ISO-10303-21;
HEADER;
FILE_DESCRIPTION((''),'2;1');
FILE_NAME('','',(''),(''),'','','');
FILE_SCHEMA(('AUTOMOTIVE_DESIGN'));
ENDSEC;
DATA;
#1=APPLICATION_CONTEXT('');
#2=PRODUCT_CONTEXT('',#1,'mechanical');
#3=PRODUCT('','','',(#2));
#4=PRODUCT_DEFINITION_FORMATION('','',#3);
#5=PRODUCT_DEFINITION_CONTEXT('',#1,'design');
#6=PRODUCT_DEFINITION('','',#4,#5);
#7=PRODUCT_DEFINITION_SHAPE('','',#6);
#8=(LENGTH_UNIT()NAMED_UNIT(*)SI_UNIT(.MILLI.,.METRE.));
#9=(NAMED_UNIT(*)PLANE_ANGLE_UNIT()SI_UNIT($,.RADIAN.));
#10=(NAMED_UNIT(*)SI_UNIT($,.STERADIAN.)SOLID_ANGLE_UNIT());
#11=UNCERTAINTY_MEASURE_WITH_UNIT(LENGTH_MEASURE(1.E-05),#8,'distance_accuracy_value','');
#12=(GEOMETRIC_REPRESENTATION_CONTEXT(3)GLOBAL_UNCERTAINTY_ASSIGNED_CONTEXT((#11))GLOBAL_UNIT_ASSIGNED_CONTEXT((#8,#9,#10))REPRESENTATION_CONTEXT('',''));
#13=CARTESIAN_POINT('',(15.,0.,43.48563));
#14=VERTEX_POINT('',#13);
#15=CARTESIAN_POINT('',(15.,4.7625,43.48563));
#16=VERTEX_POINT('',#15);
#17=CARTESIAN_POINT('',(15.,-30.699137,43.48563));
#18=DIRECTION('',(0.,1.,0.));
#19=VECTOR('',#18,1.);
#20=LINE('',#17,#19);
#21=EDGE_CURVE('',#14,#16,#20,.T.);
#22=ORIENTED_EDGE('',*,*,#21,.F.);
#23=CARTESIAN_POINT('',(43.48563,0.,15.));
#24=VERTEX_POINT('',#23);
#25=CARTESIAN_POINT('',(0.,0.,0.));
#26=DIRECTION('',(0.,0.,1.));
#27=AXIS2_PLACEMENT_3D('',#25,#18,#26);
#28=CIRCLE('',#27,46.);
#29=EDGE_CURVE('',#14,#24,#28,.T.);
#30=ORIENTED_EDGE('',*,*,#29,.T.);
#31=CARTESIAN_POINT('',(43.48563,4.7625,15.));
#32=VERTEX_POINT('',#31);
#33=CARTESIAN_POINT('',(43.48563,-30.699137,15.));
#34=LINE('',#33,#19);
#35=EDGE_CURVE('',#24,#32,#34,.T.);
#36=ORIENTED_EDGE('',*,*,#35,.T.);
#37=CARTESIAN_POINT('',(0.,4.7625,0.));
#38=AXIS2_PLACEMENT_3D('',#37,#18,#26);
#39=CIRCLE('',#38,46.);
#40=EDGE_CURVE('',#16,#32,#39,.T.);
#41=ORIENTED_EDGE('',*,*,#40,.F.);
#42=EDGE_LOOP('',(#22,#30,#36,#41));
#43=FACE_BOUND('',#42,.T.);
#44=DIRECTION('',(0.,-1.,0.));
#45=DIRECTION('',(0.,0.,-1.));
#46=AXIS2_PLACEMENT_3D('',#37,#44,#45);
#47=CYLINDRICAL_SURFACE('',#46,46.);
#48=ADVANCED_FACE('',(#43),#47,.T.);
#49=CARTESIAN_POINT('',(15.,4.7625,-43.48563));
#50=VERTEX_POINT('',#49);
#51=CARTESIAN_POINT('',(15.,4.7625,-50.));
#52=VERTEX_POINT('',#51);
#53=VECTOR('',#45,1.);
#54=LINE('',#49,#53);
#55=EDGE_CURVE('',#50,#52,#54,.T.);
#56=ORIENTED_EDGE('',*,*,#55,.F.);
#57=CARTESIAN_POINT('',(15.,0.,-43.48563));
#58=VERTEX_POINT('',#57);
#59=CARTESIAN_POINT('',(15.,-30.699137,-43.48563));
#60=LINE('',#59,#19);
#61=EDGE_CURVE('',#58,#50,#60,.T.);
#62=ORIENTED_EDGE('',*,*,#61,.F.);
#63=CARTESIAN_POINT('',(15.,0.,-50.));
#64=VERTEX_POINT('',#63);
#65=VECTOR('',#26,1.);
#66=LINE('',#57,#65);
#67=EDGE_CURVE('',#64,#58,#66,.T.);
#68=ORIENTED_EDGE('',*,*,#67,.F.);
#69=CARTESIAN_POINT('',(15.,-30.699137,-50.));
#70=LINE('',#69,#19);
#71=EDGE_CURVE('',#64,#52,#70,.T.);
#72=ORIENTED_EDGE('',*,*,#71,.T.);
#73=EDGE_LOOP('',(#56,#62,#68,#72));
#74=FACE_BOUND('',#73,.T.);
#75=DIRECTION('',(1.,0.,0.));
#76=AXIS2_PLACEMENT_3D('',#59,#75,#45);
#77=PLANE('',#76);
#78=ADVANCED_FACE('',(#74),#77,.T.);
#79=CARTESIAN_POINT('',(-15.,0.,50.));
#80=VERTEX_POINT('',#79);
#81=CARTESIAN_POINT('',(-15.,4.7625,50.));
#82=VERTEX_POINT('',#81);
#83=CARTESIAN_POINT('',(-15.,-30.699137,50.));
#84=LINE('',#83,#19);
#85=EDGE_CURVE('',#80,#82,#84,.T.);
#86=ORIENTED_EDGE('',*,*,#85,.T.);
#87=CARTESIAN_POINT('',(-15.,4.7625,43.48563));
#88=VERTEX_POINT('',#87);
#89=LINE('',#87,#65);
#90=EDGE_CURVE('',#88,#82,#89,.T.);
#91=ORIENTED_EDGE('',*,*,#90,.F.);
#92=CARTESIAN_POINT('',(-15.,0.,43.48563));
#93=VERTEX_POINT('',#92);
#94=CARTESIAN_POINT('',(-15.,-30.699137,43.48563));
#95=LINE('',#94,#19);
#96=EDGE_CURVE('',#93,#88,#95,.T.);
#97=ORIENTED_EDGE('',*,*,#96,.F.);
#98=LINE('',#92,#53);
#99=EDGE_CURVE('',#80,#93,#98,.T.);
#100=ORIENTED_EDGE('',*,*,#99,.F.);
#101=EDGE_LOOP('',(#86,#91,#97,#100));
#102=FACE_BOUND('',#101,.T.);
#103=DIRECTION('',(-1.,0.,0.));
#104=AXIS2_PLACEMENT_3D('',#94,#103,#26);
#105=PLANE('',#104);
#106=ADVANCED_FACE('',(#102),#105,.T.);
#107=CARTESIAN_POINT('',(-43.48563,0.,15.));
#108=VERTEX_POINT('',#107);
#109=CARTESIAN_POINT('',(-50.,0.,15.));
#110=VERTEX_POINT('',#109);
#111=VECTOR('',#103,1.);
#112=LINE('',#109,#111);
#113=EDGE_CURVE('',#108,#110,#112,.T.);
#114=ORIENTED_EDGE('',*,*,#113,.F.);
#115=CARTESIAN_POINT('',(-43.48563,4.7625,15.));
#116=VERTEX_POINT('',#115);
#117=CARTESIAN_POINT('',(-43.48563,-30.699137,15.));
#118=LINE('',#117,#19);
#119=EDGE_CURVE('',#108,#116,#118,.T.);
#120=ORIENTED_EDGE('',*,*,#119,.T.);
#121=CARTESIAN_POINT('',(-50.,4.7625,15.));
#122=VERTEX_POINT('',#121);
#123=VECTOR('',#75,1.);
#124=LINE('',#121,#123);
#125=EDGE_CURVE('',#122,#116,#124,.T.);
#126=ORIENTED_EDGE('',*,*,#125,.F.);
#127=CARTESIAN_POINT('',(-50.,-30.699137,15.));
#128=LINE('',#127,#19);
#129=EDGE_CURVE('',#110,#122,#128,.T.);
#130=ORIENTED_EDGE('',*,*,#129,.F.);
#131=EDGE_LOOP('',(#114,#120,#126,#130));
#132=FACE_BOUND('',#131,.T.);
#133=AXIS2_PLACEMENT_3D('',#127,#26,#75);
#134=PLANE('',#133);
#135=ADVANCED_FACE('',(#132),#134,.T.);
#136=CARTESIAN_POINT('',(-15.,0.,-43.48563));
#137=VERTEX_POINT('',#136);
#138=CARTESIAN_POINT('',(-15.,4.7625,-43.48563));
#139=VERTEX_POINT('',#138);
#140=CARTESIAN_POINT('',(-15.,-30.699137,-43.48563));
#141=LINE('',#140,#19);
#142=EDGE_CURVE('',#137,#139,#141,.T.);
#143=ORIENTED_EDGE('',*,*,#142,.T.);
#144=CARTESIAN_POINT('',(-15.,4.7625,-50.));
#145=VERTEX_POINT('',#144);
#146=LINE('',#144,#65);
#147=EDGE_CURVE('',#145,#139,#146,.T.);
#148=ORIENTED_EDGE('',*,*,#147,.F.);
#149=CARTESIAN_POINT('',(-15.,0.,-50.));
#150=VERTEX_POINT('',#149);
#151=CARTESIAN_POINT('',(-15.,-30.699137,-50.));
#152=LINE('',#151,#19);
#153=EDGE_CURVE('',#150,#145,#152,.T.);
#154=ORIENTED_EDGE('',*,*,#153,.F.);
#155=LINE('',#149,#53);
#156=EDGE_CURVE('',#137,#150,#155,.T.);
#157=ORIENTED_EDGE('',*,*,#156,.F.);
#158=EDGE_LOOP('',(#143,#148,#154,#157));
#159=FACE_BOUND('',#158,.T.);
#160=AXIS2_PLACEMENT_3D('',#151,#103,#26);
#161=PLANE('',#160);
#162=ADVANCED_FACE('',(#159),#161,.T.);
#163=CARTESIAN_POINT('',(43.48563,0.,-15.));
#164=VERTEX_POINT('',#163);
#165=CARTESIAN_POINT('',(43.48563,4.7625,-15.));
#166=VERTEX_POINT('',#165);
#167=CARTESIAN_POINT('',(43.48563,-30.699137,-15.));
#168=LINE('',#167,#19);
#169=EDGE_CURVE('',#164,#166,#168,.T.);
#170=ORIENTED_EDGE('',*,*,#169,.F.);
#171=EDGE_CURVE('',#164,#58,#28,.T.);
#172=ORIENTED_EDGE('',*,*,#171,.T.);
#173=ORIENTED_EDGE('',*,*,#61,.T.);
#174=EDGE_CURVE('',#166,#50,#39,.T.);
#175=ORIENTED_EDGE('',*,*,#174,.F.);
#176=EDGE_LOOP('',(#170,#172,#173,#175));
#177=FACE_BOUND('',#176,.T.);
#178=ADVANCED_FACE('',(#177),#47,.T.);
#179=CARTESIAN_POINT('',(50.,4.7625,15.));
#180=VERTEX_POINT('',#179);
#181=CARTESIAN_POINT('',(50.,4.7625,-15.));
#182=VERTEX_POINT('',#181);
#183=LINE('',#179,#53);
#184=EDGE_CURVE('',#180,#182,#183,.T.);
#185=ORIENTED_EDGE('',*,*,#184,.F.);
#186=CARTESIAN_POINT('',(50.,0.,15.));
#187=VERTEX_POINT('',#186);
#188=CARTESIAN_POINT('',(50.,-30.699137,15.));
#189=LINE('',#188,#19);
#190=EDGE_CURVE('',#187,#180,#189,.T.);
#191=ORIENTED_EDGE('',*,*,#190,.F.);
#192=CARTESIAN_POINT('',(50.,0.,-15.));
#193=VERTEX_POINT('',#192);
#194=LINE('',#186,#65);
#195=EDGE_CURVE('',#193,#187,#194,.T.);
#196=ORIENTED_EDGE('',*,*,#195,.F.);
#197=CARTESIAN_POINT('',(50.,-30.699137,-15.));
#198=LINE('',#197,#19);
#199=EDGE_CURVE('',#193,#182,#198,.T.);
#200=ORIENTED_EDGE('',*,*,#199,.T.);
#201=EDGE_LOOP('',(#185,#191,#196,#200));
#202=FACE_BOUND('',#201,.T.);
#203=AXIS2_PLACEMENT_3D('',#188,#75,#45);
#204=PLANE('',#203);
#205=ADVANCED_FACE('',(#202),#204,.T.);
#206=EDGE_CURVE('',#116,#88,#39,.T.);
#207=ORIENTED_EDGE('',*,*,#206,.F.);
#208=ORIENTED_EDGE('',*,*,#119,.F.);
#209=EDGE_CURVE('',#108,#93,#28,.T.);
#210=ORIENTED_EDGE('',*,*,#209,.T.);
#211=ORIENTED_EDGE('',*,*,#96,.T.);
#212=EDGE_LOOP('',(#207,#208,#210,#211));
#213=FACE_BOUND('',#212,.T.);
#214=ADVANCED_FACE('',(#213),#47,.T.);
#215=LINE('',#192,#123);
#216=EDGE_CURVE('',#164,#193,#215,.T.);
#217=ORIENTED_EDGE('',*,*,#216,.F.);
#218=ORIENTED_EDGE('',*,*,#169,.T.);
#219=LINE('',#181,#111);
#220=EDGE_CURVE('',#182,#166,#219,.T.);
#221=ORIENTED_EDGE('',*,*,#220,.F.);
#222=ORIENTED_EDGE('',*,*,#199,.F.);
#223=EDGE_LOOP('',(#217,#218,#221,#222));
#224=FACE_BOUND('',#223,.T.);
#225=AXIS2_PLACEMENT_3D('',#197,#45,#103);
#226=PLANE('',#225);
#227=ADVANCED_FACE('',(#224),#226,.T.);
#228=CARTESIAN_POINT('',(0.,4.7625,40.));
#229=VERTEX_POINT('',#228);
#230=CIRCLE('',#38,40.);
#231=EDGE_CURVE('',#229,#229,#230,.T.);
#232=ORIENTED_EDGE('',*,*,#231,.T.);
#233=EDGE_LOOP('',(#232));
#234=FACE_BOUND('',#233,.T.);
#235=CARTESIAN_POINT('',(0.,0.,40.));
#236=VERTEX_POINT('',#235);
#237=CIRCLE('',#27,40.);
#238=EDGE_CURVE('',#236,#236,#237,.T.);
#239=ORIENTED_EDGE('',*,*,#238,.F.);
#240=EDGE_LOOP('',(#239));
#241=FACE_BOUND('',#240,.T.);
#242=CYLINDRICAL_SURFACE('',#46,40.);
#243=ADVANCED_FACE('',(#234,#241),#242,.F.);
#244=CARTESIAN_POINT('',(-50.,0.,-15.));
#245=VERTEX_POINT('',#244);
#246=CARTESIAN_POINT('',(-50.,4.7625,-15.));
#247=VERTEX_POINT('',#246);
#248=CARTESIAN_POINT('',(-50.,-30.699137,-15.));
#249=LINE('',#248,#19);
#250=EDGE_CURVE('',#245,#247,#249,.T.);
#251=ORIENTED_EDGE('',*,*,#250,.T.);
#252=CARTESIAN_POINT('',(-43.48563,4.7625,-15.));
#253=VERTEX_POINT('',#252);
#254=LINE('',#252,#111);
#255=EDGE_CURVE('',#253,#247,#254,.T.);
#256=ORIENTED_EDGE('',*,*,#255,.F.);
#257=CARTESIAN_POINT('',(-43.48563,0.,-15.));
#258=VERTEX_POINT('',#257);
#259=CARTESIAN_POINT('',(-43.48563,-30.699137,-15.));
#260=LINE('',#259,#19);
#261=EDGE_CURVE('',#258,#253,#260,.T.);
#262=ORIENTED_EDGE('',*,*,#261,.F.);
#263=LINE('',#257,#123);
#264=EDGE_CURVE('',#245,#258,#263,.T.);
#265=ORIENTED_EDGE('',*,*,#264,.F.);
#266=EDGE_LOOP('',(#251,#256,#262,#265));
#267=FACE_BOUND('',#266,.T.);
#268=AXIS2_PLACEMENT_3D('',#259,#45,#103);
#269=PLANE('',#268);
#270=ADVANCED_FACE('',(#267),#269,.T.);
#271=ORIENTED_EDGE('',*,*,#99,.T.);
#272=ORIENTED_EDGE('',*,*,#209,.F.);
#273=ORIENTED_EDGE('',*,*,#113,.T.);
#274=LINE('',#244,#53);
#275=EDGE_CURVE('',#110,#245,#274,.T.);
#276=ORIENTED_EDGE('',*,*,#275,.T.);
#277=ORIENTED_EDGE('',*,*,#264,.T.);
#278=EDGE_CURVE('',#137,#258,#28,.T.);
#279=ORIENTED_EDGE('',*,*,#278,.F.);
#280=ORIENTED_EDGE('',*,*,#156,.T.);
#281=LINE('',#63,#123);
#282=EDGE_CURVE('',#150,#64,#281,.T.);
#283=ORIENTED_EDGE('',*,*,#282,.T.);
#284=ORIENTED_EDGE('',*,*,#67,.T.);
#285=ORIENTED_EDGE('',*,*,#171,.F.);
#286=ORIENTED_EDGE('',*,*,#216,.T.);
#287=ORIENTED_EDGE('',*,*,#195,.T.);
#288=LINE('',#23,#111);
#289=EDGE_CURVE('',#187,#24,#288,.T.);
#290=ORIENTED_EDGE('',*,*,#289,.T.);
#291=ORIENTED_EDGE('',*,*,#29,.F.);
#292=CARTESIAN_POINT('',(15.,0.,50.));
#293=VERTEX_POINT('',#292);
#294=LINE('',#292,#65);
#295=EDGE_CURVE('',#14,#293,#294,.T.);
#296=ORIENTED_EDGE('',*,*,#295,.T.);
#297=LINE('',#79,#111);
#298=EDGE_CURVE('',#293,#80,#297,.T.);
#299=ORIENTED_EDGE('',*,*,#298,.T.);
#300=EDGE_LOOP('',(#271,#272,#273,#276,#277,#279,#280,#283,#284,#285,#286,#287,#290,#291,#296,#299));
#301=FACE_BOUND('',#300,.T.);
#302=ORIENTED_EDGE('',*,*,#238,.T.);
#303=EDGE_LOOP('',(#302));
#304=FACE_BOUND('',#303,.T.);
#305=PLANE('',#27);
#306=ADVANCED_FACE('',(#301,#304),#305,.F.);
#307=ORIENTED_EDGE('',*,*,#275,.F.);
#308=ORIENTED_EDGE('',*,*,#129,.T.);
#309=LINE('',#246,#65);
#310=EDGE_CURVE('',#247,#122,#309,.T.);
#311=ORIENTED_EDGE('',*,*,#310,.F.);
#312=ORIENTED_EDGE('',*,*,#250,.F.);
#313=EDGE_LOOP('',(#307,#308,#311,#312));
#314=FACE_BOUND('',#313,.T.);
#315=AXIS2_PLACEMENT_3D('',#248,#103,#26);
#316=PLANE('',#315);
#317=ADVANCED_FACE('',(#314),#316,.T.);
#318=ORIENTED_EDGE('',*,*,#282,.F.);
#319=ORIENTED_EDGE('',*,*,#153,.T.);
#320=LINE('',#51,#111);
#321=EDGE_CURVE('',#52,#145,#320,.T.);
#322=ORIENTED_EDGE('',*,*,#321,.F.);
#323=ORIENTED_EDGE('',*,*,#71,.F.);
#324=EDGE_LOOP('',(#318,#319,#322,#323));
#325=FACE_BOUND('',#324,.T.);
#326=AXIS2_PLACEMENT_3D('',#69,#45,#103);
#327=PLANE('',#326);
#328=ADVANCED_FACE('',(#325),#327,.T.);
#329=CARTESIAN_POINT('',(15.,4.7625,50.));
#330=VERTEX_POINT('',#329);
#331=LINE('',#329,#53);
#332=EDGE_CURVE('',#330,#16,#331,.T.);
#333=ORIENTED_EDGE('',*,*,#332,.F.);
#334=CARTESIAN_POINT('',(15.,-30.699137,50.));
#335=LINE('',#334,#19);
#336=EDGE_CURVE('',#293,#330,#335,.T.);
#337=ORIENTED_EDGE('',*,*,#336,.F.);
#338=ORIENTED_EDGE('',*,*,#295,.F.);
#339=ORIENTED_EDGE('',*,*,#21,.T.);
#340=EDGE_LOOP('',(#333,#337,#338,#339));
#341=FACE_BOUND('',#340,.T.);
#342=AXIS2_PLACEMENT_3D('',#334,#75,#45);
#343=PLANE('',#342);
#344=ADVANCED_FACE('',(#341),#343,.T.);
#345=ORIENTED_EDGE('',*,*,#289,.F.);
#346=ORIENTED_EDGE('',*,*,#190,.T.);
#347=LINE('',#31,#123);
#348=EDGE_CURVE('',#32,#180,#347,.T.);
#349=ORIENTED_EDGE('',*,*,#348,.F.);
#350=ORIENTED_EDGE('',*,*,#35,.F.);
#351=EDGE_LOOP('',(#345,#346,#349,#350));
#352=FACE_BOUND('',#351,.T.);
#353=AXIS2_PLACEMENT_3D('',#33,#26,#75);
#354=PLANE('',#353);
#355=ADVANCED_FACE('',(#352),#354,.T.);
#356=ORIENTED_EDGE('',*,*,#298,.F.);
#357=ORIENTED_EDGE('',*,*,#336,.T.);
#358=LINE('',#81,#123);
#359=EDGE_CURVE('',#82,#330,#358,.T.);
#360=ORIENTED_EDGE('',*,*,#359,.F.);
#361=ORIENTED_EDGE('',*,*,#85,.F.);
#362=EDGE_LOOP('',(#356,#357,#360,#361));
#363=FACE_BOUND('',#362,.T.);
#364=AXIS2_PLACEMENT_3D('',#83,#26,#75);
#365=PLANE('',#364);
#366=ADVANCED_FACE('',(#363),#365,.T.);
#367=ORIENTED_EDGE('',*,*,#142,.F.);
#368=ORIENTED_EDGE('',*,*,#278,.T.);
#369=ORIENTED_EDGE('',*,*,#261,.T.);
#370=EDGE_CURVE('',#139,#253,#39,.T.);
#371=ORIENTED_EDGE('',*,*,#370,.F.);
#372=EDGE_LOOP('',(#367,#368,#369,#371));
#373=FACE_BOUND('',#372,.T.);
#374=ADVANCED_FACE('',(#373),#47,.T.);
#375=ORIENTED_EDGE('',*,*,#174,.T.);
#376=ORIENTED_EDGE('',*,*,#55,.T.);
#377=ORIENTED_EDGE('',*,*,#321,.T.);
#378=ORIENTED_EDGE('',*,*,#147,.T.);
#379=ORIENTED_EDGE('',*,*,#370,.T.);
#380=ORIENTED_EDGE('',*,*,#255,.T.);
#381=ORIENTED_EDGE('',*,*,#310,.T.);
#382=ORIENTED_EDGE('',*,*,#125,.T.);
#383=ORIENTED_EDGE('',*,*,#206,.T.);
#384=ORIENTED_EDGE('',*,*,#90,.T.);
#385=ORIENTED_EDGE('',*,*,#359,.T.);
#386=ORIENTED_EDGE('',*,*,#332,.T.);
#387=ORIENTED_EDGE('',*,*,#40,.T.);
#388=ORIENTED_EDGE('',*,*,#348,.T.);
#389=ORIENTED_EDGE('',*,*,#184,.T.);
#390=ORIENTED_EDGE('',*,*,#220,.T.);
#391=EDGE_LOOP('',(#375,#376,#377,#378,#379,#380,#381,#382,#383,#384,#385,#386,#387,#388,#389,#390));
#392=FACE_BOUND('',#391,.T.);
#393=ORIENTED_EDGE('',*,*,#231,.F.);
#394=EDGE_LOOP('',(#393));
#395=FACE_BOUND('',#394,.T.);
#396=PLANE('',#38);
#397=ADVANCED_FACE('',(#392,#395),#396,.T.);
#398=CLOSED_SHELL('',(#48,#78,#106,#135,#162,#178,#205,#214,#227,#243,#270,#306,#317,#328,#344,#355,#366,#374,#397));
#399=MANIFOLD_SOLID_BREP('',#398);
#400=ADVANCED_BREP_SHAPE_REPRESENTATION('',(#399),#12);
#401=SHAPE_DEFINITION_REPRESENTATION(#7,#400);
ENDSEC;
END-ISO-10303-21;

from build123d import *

# Parameters (mm, degrees)
SKETCH1_R           = 46
SKETCH1_R_2         = 40
BOSS_EXTRUDE1_DEPTH = 4.7625
BOSS_EXTRUDE2_DEPTH = 4.7625
CIRPATTERN1_COUNT   = 4


with BuildPart() as part:
    # Sketch1 → Boss-Extrude1 (new body)
    with BuildSketch(Plane(origin=(0, 0, 0), x_dir=(1, 0, 0), z_dir=(0, 1, 0))):
        Circle(SKETCH1_R)
        Circle(SKETCH1_R_2, mode=Mode.SUBTRACT)
    extrude(amount=BOSS_EXTRUDE1_DEPTH)

    # Sketch2 → Boss-Extrude2 (add)
    with BuildSketch(Plane(origin=(0, 4.7625, 0), x_dir=(1, 0, 0), z_dir=(0, 1, 0))):
        with BuildLine():
            Line((-43.48562981, 15), (-50, 15))
            Line((-50, 15), (-50, -15))
            Line((-50, -15), (-43.48562981, -15))
            ThreePointArc((-43.48562981, -15), (-46, 0), (-43.48562981, 15))
        make_face()
    boss_extrude2 = extrude(amount=-BOSS_EXTRUDE2_DEPTH)

    # CirPattern1: Boss-Extrude2 ×4 about axis
    cirpattern1_axis = Axis((0, 0, 0), (0, 1, 0))
    for i in range(1, CIRPATTERN1_COUNT):
        add(boss_extrude2.rotate(cirpattern1_axis, i * 360 / CIRPATTERN1_COUNT))


solid = part.part
